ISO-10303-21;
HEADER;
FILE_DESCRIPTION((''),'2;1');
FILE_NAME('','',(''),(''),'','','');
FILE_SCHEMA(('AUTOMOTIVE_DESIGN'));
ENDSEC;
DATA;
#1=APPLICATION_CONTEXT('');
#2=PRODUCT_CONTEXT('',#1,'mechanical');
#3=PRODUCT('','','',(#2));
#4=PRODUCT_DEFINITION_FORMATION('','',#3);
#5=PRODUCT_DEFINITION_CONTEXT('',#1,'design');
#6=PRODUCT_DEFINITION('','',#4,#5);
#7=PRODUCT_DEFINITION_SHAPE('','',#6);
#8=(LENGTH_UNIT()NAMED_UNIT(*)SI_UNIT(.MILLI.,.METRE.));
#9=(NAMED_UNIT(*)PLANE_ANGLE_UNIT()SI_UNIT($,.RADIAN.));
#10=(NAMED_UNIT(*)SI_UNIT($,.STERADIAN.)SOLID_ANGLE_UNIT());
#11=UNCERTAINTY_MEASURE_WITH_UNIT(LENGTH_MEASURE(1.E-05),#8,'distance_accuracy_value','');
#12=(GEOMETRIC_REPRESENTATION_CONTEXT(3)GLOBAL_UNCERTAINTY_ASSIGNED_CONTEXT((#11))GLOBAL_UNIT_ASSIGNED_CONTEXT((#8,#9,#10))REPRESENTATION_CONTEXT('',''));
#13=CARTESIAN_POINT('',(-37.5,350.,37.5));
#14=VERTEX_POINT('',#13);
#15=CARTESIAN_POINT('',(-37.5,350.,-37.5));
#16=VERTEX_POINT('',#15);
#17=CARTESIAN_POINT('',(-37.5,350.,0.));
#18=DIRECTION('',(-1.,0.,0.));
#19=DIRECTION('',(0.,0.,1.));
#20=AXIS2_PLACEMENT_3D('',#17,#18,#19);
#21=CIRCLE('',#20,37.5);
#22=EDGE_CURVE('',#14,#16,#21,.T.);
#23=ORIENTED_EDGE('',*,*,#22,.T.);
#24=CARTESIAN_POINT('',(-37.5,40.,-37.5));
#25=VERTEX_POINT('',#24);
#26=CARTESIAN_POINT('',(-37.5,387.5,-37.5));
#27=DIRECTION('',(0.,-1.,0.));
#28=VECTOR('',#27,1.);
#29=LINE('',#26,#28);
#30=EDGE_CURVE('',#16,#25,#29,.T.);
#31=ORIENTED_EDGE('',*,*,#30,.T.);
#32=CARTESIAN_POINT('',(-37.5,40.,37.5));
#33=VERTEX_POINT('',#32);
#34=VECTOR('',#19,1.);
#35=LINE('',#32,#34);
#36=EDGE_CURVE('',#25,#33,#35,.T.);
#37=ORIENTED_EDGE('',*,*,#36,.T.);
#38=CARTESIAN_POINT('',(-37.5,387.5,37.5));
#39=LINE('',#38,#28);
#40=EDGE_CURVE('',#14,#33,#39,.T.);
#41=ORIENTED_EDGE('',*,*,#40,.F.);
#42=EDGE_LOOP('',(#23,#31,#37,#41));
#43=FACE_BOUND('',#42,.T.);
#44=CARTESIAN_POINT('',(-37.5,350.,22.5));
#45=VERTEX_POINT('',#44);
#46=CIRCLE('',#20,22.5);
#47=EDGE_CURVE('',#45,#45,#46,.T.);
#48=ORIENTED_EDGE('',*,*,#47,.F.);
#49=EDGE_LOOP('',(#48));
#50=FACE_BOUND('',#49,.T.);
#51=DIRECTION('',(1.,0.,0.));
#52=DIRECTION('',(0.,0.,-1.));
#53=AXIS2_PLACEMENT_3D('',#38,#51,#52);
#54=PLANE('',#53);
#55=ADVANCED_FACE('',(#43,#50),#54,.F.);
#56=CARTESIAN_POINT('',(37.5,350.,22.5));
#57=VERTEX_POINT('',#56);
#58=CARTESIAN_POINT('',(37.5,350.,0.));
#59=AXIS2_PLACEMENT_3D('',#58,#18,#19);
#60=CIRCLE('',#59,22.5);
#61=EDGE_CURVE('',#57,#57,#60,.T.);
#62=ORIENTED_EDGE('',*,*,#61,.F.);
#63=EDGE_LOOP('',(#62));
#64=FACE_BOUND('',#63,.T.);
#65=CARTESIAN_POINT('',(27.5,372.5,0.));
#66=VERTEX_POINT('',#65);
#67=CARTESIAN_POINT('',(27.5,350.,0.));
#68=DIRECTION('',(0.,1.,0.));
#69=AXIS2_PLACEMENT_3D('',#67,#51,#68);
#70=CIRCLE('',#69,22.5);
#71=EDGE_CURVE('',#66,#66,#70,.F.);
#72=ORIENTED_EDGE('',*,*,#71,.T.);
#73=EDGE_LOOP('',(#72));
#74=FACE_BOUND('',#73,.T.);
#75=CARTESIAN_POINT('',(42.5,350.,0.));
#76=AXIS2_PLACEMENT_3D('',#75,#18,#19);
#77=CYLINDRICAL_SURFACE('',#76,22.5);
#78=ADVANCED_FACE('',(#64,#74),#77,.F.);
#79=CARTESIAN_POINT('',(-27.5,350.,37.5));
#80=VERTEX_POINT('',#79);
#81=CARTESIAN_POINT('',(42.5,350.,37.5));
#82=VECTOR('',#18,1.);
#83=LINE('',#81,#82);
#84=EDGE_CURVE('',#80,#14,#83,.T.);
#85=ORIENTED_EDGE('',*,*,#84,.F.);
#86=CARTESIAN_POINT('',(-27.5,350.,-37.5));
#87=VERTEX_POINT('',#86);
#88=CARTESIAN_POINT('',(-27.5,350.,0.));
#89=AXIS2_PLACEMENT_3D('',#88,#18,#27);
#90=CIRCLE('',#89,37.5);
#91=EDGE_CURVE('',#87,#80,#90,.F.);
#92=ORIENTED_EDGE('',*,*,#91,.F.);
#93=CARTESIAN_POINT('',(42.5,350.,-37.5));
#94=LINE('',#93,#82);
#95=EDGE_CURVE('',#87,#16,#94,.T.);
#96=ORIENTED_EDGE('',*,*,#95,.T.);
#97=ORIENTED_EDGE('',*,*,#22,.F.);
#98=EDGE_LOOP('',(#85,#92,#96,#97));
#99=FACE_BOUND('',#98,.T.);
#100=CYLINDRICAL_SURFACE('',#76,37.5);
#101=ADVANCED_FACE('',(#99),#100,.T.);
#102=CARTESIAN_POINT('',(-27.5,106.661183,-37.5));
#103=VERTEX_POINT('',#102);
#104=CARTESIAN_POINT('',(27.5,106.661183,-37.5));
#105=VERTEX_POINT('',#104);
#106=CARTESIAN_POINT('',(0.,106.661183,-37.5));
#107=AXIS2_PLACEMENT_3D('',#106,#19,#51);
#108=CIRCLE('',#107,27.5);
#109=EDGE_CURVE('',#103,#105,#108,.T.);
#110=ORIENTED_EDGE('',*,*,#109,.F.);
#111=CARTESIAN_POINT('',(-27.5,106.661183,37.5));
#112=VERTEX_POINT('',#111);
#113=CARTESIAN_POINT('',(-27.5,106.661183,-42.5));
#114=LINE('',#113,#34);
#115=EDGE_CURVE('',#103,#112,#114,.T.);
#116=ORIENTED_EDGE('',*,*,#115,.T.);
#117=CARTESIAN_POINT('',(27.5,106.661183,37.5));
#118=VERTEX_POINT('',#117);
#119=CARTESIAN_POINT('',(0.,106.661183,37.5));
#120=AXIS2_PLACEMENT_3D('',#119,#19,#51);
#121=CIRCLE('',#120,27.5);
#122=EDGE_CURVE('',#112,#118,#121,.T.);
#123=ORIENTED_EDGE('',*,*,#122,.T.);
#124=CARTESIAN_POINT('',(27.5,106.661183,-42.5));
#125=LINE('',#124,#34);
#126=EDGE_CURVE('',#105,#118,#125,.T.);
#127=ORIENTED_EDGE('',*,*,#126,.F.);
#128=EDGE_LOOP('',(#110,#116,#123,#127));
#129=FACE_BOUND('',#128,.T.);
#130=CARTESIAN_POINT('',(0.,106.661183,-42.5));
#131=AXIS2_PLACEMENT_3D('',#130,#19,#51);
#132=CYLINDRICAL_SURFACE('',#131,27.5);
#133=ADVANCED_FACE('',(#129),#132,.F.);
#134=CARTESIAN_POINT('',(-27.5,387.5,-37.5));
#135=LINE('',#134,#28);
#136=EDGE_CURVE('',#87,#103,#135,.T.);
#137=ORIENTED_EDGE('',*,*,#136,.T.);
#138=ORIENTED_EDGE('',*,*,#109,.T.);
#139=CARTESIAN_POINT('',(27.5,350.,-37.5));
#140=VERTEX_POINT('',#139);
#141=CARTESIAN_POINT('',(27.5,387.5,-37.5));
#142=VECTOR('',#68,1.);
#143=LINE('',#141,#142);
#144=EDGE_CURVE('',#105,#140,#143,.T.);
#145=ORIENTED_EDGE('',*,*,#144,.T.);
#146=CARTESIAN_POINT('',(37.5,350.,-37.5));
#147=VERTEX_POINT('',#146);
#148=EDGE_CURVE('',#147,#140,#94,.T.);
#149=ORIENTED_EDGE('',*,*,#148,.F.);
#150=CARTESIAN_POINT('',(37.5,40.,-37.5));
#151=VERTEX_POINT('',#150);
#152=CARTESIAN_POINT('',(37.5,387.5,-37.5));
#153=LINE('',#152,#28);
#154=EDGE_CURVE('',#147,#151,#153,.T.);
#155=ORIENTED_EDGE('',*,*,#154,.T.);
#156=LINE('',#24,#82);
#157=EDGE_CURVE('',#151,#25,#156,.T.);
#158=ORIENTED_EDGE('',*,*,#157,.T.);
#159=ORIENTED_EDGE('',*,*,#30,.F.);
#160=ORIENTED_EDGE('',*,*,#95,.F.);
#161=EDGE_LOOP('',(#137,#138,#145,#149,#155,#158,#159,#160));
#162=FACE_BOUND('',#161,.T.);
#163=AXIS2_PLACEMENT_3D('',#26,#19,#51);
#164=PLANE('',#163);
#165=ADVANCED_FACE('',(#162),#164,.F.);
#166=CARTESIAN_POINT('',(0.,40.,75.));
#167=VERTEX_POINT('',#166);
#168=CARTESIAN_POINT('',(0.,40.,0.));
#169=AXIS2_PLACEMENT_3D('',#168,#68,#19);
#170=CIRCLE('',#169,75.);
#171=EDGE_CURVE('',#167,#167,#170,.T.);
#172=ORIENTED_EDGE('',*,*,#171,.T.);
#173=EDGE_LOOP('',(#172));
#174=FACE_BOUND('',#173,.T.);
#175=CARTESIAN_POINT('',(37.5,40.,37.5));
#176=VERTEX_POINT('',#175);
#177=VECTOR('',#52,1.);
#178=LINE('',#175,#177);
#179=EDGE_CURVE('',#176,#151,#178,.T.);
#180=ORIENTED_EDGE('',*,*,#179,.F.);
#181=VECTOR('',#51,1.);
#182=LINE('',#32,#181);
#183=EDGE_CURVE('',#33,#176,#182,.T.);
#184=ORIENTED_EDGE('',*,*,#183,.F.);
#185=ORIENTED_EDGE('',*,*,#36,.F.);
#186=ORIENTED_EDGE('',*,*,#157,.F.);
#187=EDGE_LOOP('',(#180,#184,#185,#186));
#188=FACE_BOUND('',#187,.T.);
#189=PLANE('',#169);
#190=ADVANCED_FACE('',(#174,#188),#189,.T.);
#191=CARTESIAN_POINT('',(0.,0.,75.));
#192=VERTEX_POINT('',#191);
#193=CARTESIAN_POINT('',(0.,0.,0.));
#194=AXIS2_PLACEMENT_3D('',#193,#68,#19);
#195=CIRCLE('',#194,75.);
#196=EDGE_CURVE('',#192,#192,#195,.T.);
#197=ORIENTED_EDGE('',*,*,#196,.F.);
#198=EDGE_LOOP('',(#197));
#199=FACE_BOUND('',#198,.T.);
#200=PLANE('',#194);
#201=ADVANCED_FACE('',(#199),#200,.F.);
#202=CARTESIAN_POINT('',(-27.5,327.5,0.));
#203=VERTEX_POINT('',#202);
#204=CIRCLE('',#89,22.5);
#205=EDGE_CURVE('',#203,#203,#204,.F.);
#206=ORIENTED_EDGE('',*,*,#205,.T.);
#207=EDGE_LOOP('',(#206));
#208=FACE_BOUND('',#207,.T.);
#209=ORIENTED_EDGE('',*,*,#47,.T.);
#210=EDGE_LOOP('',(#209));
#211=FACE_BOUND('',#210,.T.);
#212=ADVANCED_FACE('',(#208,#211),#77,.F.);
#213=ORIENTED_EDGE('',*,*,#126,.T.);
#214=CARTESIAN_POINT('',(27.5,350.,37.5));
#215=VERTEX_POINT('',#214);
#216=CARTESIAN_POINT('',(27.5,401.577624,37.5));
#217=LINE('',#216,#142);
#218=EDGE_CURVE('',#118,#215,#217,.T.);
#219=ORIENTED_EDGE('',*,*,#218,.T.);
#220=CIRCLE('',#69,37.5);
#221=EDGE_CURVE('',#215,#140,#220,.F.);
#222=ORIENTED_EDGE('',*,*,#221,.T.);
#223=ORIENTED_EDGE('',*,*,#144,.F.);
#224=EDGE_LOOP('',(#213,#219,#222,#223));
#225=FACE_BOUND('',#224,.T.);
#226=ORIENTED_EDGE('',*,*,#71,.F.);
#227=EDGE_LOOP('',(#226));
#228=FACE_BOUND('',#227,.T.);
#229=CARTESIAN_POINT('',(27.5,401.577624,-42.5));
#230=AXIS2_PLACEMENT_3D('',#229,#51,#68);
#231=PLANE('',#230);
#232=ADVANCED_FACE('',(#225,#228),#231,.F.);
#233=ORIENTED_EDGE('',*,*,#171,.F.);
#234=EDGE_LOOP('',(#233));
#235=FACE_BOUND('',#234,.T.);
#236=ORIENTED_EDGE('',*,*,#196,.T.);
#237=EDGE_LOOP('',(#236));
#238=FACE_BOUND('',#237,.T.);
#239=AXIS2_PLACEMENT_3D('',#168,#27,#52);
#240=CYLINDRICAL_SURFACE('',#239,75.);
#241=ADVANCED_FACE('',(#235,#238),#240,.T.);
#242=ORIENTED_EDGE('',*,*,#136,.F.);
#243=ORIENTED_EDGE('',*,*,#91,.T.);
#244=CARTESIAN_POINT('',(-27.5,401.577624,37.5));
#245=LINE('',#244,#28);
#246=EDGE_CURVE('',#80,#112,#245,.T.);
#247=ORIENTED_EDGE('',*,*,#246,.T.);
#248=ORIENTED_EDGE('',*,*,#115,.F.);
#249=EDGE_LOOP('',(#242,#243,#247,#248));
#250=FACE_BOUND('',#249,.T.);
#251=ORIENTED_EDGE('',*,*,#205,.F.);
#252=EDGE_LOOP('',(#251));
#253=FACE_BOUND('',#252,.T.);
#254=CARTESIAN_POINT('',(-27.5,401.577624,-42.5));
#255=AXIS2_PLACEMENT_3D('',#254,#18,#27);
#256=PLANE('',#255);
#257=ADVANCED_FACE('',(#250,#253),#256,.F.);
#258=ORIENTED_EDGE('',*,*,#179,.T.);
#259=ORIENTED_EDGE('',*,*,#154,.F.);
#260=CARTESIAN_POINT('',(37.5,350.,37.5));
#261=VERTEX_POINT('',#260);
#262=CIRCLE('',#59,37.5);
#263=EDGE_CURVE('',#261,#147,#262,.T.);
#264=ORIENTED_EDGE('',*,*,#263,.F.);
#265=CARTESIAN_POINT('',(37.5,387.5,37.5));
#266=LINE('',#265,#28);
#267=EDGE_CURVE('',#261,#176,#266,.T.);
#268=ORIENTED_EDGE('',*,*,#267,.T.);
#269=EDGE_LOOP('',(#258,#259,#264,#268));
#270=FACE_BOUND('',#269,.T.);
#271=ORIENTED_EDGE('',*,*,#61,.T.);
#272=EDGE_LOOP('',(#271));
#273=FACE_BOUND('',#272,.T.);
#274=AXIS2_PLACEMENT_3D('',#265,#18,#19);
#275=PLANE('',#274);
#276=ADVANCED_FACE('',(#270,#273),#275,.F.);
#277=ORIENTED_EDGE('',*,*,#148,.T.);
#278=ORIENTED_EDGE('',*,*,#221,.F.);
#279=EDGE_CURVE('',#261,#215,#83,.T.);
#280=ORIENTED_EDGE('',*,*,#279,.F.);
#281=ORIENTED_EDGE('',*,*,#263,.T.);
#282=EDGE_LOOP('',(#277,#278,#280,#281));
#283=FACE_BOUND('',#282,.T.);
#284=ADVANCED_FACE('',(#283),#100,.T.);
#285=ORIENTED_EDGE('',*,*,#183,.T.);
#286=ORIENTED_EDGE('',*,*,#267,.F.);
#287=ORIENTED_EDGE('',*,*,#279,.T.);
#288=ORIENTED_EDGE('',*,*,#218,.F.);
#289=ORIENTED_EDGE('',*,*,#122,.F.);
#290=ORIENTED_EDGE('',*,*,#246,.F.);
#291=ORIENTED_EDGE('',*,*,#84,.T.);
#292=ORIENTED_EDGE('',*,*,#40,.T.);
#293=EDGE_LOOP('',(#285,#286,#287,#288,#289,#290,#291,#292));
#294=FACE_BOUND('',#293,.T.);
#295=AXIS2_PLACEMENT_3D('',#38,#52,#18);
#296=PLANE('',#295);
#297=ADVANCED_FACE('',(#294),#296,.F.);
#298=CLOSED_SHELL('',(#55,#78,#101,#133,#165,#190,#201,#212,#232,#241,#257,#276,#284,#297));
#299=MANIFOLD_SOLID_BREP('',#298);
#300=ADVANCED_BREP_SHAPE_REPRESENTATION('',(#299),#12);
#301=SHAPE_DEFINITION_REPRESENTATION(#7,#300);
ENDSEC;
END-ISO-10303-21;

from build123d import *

# Parameters (mm, degrees)
SKETCH1_R           = 75
BOSS_EXTRUDE1_DEPTH = 40
SKETCH3_W           = 75
SKETCH3_H           = 75
BOSS_EXTRUDE2_DEPTH = 347.5
CUT_EXTRUDE1_DEPTH  = 80
SKETCH4_R           = 22.5
CUT_EXTRUDE2_DEPTH  = 80
CUT_EXTRUDE3_DEPTH  = 80


with BuildPart() as part:
    # Sketch1 → Boss-Extrude1 (new body)
    with BuildSketch(Plane(origin=(0, 0, 0), x_dir=(1, 0, 0), z_dir=(0, 1, 0))):
        with Locations(Location((0, 0, 0), (0, 0, 270))):
            Circle(SKETCH1_R)
    extrude(amount=BOSS_EXTRUDE1_DEPTH)

    # Sketch3 → Boss-Extrude2 (add)
    with BuildSketch(Plane(origin=(0, 40, 0), x_dir=(1, 0, 0), z_dir=(0, 1, 0))):
        Rectangle(SKETCH3_W, SKETCH3_H)
    extrude(amount=BOSS_EXTRUDE2_DEPTH)

    # Sketch5 → Cut-Extrude1 (cut)
    with BuildSketch(Plane.ZY.offset(37.5)):
        with BuildLine():
            Line((37.5, 387.5), (0, 387.5))
            ThreePointArc((0, 387.5), (26.516504294, 376.516504294), (37.5, 350))
            Line((37.5, 350), (37.5, 387.5))
        make_face()
        with BuildLine():
            Line((-37.5, 387.5), (-37.5, 350))
            ThreePointArc((-37.5, 350), (-26.516504294, 376.516504294), (0, 387.5))
            Line((0, 387.5), (-37.5, 387.5))
        make_face()
    extrude(amount=-CUT_EXTRUDE1_DEPTH, mode=Mode.SUBTRACT)

    # Sketch4 → Cut-Extrude2 (cut)
    with BuildSketch(Plane.ZY.offset(37.5)):
        with Locations((0, 350)):
            Circle(SKETCH4_R)
    extrude(amount=-CUT_EXTRUDE2_DEPTH, mode=Mode.SUBTRACT)

    # Sketch6 → Cut-Extrude3 (cut)
    with BuildSketch(Plane.XY.offset(37.5)):
        with BuildLine():
            Line((27.5, 401.577624338), (-27.5, 401.577624338))
            Line((-27.5, 401.577624338), (-27.5, 106.661183131))
            ThreePointArc((-27.5, 106.661183131), (0, 79.161183131), (27.5, 106.661183131))
            Line((27.5, 106.661183131), (27.5, 401.577624338))
        make_face()
    extrude(amount=-CUT_EXTRUDE3_DEPTH, mode=Mode.SUBTRACT)


solid = part.part
